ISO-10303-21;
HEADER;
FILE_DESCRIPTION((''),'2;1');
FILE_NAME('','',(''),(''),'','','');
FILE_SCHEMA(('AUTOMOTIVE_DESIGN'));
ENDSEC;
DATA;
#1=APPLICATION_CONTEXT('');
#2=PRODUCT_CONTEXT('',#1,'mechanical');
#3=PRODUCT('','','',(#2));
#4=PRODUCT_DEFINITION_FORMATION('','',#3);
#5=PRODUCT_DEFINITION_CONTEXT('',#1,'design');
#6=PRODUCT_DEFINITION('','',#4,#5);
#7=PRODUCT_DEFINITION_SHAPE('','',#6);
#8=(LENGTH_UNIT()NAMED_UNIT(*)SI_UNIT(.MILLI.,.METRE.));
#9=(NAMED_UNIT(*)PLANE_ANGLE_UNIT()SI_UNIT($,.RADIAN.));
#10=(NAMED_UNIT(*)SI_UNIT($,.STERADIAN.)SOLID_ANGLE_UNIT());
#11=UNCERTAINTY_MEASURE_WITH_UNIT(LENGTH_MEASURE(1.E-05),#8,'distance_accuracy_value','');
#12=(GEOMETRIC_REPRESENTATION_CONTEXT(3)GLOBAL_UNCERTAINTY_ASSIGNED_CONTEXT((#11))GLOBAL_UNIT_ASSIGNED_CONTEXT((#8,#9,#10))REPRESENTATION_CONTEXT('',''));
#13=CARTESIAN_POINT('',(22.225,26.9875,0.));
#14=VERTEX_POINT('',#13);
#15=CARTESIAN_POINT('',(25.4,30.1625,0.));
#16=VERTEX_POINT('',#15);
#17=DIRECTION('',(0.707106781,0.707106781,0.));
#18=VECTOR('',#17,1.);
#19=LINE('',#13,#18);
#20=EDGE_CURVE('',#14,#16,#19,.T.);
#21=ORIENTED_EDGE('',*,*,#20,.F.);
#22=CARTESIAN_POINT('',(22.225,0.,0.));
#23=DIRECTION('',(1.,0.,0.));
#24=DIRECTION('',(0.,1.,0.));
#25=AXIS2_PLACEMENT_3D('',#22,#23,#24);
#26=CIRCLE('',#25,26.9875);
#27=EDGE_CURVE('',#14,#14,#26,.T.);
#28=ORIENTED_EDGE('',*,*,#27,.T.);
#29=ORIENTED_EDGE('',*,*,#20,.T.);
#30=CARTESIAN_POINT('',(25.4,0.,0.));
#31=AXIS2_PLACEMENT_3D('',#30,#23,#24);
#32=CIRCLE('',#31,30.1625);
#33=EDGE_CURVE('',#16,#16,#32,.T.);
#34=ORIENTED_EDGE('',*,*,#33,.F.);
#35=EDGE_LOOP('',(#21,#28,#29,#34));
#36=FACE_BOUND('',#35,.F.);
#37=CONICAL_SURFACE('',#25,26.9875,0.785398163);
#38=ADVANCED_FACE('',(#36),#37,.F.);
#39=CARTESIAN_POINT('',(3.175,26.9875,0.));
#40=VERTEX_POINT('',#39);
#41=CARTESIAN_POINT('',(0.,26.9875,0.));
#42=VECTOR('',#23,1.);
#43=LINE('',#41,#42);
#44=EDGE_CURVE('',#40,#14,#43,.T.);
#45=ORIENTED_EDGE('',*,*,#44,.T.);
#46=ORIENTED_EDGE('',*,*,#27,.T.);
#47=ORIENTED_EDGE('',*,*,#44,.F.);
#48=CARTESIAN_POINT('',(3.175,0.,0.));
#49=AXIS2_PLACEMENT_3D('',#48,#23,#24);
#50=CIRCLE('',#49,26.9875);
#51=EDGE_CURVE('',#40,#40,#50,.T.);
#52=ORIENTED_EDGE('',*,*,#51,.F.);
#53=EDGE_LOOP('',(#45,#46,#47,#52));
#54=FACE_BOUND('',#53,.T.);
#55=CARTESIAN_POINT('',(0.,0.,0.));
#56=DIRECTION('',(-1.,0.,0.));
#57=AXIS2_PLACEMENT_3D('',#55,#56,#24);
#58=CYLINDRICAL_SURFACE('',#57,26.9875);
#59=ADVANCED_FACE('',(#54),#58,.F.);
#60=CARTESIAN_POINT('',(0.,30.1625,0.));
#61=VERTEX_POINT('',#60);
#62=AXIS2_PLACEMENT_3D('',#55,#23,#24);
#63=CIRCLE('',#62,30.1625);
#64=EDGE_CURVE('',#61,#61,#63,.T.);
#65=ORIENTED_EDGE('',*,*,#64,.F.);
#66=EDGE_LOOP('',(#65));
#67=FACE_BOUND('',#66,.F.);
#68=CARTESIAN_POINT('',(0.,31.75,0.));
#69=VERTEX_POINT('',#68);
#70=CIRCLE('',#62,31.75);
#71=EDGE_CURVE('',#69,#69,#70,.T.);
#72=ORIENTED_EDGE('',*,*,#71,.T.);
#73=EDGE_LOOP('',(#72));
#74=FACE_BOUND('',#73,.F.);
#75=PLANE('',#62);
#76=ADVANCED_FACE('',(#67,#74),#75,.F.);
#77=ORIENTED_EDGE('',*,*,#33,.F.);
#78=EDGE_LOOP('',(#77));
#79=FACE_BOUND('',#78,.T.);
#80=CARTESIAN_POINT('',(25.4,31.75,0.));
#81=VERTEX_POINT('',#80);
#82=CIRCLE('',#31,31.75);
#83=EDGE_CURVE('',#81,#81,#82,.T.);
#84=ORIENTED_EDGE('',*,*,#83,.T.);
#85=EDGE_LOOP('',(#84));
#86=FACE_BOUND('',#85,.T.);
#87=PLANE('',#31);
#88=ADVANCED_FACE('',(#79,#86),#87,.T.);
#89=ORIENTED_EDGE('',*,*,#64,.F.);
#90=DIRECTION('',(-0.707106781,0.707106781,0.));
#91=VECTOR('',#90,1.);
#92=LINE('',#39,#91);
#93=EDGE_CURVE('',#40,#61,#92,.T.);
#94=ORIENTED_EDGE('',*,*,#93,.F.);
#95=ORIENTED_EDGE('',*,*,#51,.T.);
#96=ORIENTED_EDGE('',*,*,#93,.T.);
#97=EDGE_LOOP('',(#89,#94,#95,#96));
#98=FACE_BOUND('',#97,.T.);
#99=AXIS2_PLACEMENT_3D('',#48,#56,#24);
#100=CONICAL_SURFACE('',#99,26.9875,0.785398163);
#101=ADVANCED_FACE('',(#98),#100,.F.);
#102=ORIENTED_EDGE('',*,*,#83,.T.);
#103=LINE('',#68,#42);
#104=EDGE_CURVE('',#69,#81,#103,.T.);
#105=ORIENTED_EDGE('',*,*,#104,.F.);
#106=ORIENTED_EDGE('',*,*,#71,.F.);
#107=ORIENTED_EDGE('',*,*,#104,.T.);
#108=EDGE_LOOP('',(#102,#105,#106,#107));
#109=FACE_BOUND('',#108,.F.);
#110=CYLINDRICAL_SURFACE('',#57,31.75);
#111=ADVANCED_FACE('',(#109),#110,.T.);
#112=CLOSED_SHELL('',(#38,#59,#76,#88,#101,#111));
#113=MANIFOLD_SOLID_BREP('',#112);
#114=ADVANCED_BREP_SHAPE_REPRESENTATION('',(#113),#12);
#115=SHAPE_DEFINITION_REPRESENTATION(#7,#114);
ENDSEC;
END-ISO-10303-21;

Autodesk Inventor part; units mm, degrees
ref_plane "YZ Plane" through (0, 0, 0) normal (1, 0, 0) x (0, 1, 0)
ref_plane "XZ Plane" through (0, 0, 0) normal (0, 1, 0) x (-1, 0, 0)
ref_plane "XY Plane" through (0, 0, 0) normal (0, 0, 1) x (1, 0, 0)
sketch "Sketch1" plane through (0, 0, 0) normal (1, 0, 0) x (0, 1, 0)
  circle A0 centre (0, 0) radius 26.9875
  circle A1 centre (0, 0) radius 31.75
  dimension "d0" = 53.975
  dimension "d1" = 63.5
extrude "Extrusion1" add sketch "Sketch1" along normal blind 25.4
chamfer "Chamfer1" distance 3.175 angle 45 2 edges at (0, -26.9875, 0) (25.4, -26.9875, 0)
properties part number "Temp - Tire" material "Rubber, Silicone"
